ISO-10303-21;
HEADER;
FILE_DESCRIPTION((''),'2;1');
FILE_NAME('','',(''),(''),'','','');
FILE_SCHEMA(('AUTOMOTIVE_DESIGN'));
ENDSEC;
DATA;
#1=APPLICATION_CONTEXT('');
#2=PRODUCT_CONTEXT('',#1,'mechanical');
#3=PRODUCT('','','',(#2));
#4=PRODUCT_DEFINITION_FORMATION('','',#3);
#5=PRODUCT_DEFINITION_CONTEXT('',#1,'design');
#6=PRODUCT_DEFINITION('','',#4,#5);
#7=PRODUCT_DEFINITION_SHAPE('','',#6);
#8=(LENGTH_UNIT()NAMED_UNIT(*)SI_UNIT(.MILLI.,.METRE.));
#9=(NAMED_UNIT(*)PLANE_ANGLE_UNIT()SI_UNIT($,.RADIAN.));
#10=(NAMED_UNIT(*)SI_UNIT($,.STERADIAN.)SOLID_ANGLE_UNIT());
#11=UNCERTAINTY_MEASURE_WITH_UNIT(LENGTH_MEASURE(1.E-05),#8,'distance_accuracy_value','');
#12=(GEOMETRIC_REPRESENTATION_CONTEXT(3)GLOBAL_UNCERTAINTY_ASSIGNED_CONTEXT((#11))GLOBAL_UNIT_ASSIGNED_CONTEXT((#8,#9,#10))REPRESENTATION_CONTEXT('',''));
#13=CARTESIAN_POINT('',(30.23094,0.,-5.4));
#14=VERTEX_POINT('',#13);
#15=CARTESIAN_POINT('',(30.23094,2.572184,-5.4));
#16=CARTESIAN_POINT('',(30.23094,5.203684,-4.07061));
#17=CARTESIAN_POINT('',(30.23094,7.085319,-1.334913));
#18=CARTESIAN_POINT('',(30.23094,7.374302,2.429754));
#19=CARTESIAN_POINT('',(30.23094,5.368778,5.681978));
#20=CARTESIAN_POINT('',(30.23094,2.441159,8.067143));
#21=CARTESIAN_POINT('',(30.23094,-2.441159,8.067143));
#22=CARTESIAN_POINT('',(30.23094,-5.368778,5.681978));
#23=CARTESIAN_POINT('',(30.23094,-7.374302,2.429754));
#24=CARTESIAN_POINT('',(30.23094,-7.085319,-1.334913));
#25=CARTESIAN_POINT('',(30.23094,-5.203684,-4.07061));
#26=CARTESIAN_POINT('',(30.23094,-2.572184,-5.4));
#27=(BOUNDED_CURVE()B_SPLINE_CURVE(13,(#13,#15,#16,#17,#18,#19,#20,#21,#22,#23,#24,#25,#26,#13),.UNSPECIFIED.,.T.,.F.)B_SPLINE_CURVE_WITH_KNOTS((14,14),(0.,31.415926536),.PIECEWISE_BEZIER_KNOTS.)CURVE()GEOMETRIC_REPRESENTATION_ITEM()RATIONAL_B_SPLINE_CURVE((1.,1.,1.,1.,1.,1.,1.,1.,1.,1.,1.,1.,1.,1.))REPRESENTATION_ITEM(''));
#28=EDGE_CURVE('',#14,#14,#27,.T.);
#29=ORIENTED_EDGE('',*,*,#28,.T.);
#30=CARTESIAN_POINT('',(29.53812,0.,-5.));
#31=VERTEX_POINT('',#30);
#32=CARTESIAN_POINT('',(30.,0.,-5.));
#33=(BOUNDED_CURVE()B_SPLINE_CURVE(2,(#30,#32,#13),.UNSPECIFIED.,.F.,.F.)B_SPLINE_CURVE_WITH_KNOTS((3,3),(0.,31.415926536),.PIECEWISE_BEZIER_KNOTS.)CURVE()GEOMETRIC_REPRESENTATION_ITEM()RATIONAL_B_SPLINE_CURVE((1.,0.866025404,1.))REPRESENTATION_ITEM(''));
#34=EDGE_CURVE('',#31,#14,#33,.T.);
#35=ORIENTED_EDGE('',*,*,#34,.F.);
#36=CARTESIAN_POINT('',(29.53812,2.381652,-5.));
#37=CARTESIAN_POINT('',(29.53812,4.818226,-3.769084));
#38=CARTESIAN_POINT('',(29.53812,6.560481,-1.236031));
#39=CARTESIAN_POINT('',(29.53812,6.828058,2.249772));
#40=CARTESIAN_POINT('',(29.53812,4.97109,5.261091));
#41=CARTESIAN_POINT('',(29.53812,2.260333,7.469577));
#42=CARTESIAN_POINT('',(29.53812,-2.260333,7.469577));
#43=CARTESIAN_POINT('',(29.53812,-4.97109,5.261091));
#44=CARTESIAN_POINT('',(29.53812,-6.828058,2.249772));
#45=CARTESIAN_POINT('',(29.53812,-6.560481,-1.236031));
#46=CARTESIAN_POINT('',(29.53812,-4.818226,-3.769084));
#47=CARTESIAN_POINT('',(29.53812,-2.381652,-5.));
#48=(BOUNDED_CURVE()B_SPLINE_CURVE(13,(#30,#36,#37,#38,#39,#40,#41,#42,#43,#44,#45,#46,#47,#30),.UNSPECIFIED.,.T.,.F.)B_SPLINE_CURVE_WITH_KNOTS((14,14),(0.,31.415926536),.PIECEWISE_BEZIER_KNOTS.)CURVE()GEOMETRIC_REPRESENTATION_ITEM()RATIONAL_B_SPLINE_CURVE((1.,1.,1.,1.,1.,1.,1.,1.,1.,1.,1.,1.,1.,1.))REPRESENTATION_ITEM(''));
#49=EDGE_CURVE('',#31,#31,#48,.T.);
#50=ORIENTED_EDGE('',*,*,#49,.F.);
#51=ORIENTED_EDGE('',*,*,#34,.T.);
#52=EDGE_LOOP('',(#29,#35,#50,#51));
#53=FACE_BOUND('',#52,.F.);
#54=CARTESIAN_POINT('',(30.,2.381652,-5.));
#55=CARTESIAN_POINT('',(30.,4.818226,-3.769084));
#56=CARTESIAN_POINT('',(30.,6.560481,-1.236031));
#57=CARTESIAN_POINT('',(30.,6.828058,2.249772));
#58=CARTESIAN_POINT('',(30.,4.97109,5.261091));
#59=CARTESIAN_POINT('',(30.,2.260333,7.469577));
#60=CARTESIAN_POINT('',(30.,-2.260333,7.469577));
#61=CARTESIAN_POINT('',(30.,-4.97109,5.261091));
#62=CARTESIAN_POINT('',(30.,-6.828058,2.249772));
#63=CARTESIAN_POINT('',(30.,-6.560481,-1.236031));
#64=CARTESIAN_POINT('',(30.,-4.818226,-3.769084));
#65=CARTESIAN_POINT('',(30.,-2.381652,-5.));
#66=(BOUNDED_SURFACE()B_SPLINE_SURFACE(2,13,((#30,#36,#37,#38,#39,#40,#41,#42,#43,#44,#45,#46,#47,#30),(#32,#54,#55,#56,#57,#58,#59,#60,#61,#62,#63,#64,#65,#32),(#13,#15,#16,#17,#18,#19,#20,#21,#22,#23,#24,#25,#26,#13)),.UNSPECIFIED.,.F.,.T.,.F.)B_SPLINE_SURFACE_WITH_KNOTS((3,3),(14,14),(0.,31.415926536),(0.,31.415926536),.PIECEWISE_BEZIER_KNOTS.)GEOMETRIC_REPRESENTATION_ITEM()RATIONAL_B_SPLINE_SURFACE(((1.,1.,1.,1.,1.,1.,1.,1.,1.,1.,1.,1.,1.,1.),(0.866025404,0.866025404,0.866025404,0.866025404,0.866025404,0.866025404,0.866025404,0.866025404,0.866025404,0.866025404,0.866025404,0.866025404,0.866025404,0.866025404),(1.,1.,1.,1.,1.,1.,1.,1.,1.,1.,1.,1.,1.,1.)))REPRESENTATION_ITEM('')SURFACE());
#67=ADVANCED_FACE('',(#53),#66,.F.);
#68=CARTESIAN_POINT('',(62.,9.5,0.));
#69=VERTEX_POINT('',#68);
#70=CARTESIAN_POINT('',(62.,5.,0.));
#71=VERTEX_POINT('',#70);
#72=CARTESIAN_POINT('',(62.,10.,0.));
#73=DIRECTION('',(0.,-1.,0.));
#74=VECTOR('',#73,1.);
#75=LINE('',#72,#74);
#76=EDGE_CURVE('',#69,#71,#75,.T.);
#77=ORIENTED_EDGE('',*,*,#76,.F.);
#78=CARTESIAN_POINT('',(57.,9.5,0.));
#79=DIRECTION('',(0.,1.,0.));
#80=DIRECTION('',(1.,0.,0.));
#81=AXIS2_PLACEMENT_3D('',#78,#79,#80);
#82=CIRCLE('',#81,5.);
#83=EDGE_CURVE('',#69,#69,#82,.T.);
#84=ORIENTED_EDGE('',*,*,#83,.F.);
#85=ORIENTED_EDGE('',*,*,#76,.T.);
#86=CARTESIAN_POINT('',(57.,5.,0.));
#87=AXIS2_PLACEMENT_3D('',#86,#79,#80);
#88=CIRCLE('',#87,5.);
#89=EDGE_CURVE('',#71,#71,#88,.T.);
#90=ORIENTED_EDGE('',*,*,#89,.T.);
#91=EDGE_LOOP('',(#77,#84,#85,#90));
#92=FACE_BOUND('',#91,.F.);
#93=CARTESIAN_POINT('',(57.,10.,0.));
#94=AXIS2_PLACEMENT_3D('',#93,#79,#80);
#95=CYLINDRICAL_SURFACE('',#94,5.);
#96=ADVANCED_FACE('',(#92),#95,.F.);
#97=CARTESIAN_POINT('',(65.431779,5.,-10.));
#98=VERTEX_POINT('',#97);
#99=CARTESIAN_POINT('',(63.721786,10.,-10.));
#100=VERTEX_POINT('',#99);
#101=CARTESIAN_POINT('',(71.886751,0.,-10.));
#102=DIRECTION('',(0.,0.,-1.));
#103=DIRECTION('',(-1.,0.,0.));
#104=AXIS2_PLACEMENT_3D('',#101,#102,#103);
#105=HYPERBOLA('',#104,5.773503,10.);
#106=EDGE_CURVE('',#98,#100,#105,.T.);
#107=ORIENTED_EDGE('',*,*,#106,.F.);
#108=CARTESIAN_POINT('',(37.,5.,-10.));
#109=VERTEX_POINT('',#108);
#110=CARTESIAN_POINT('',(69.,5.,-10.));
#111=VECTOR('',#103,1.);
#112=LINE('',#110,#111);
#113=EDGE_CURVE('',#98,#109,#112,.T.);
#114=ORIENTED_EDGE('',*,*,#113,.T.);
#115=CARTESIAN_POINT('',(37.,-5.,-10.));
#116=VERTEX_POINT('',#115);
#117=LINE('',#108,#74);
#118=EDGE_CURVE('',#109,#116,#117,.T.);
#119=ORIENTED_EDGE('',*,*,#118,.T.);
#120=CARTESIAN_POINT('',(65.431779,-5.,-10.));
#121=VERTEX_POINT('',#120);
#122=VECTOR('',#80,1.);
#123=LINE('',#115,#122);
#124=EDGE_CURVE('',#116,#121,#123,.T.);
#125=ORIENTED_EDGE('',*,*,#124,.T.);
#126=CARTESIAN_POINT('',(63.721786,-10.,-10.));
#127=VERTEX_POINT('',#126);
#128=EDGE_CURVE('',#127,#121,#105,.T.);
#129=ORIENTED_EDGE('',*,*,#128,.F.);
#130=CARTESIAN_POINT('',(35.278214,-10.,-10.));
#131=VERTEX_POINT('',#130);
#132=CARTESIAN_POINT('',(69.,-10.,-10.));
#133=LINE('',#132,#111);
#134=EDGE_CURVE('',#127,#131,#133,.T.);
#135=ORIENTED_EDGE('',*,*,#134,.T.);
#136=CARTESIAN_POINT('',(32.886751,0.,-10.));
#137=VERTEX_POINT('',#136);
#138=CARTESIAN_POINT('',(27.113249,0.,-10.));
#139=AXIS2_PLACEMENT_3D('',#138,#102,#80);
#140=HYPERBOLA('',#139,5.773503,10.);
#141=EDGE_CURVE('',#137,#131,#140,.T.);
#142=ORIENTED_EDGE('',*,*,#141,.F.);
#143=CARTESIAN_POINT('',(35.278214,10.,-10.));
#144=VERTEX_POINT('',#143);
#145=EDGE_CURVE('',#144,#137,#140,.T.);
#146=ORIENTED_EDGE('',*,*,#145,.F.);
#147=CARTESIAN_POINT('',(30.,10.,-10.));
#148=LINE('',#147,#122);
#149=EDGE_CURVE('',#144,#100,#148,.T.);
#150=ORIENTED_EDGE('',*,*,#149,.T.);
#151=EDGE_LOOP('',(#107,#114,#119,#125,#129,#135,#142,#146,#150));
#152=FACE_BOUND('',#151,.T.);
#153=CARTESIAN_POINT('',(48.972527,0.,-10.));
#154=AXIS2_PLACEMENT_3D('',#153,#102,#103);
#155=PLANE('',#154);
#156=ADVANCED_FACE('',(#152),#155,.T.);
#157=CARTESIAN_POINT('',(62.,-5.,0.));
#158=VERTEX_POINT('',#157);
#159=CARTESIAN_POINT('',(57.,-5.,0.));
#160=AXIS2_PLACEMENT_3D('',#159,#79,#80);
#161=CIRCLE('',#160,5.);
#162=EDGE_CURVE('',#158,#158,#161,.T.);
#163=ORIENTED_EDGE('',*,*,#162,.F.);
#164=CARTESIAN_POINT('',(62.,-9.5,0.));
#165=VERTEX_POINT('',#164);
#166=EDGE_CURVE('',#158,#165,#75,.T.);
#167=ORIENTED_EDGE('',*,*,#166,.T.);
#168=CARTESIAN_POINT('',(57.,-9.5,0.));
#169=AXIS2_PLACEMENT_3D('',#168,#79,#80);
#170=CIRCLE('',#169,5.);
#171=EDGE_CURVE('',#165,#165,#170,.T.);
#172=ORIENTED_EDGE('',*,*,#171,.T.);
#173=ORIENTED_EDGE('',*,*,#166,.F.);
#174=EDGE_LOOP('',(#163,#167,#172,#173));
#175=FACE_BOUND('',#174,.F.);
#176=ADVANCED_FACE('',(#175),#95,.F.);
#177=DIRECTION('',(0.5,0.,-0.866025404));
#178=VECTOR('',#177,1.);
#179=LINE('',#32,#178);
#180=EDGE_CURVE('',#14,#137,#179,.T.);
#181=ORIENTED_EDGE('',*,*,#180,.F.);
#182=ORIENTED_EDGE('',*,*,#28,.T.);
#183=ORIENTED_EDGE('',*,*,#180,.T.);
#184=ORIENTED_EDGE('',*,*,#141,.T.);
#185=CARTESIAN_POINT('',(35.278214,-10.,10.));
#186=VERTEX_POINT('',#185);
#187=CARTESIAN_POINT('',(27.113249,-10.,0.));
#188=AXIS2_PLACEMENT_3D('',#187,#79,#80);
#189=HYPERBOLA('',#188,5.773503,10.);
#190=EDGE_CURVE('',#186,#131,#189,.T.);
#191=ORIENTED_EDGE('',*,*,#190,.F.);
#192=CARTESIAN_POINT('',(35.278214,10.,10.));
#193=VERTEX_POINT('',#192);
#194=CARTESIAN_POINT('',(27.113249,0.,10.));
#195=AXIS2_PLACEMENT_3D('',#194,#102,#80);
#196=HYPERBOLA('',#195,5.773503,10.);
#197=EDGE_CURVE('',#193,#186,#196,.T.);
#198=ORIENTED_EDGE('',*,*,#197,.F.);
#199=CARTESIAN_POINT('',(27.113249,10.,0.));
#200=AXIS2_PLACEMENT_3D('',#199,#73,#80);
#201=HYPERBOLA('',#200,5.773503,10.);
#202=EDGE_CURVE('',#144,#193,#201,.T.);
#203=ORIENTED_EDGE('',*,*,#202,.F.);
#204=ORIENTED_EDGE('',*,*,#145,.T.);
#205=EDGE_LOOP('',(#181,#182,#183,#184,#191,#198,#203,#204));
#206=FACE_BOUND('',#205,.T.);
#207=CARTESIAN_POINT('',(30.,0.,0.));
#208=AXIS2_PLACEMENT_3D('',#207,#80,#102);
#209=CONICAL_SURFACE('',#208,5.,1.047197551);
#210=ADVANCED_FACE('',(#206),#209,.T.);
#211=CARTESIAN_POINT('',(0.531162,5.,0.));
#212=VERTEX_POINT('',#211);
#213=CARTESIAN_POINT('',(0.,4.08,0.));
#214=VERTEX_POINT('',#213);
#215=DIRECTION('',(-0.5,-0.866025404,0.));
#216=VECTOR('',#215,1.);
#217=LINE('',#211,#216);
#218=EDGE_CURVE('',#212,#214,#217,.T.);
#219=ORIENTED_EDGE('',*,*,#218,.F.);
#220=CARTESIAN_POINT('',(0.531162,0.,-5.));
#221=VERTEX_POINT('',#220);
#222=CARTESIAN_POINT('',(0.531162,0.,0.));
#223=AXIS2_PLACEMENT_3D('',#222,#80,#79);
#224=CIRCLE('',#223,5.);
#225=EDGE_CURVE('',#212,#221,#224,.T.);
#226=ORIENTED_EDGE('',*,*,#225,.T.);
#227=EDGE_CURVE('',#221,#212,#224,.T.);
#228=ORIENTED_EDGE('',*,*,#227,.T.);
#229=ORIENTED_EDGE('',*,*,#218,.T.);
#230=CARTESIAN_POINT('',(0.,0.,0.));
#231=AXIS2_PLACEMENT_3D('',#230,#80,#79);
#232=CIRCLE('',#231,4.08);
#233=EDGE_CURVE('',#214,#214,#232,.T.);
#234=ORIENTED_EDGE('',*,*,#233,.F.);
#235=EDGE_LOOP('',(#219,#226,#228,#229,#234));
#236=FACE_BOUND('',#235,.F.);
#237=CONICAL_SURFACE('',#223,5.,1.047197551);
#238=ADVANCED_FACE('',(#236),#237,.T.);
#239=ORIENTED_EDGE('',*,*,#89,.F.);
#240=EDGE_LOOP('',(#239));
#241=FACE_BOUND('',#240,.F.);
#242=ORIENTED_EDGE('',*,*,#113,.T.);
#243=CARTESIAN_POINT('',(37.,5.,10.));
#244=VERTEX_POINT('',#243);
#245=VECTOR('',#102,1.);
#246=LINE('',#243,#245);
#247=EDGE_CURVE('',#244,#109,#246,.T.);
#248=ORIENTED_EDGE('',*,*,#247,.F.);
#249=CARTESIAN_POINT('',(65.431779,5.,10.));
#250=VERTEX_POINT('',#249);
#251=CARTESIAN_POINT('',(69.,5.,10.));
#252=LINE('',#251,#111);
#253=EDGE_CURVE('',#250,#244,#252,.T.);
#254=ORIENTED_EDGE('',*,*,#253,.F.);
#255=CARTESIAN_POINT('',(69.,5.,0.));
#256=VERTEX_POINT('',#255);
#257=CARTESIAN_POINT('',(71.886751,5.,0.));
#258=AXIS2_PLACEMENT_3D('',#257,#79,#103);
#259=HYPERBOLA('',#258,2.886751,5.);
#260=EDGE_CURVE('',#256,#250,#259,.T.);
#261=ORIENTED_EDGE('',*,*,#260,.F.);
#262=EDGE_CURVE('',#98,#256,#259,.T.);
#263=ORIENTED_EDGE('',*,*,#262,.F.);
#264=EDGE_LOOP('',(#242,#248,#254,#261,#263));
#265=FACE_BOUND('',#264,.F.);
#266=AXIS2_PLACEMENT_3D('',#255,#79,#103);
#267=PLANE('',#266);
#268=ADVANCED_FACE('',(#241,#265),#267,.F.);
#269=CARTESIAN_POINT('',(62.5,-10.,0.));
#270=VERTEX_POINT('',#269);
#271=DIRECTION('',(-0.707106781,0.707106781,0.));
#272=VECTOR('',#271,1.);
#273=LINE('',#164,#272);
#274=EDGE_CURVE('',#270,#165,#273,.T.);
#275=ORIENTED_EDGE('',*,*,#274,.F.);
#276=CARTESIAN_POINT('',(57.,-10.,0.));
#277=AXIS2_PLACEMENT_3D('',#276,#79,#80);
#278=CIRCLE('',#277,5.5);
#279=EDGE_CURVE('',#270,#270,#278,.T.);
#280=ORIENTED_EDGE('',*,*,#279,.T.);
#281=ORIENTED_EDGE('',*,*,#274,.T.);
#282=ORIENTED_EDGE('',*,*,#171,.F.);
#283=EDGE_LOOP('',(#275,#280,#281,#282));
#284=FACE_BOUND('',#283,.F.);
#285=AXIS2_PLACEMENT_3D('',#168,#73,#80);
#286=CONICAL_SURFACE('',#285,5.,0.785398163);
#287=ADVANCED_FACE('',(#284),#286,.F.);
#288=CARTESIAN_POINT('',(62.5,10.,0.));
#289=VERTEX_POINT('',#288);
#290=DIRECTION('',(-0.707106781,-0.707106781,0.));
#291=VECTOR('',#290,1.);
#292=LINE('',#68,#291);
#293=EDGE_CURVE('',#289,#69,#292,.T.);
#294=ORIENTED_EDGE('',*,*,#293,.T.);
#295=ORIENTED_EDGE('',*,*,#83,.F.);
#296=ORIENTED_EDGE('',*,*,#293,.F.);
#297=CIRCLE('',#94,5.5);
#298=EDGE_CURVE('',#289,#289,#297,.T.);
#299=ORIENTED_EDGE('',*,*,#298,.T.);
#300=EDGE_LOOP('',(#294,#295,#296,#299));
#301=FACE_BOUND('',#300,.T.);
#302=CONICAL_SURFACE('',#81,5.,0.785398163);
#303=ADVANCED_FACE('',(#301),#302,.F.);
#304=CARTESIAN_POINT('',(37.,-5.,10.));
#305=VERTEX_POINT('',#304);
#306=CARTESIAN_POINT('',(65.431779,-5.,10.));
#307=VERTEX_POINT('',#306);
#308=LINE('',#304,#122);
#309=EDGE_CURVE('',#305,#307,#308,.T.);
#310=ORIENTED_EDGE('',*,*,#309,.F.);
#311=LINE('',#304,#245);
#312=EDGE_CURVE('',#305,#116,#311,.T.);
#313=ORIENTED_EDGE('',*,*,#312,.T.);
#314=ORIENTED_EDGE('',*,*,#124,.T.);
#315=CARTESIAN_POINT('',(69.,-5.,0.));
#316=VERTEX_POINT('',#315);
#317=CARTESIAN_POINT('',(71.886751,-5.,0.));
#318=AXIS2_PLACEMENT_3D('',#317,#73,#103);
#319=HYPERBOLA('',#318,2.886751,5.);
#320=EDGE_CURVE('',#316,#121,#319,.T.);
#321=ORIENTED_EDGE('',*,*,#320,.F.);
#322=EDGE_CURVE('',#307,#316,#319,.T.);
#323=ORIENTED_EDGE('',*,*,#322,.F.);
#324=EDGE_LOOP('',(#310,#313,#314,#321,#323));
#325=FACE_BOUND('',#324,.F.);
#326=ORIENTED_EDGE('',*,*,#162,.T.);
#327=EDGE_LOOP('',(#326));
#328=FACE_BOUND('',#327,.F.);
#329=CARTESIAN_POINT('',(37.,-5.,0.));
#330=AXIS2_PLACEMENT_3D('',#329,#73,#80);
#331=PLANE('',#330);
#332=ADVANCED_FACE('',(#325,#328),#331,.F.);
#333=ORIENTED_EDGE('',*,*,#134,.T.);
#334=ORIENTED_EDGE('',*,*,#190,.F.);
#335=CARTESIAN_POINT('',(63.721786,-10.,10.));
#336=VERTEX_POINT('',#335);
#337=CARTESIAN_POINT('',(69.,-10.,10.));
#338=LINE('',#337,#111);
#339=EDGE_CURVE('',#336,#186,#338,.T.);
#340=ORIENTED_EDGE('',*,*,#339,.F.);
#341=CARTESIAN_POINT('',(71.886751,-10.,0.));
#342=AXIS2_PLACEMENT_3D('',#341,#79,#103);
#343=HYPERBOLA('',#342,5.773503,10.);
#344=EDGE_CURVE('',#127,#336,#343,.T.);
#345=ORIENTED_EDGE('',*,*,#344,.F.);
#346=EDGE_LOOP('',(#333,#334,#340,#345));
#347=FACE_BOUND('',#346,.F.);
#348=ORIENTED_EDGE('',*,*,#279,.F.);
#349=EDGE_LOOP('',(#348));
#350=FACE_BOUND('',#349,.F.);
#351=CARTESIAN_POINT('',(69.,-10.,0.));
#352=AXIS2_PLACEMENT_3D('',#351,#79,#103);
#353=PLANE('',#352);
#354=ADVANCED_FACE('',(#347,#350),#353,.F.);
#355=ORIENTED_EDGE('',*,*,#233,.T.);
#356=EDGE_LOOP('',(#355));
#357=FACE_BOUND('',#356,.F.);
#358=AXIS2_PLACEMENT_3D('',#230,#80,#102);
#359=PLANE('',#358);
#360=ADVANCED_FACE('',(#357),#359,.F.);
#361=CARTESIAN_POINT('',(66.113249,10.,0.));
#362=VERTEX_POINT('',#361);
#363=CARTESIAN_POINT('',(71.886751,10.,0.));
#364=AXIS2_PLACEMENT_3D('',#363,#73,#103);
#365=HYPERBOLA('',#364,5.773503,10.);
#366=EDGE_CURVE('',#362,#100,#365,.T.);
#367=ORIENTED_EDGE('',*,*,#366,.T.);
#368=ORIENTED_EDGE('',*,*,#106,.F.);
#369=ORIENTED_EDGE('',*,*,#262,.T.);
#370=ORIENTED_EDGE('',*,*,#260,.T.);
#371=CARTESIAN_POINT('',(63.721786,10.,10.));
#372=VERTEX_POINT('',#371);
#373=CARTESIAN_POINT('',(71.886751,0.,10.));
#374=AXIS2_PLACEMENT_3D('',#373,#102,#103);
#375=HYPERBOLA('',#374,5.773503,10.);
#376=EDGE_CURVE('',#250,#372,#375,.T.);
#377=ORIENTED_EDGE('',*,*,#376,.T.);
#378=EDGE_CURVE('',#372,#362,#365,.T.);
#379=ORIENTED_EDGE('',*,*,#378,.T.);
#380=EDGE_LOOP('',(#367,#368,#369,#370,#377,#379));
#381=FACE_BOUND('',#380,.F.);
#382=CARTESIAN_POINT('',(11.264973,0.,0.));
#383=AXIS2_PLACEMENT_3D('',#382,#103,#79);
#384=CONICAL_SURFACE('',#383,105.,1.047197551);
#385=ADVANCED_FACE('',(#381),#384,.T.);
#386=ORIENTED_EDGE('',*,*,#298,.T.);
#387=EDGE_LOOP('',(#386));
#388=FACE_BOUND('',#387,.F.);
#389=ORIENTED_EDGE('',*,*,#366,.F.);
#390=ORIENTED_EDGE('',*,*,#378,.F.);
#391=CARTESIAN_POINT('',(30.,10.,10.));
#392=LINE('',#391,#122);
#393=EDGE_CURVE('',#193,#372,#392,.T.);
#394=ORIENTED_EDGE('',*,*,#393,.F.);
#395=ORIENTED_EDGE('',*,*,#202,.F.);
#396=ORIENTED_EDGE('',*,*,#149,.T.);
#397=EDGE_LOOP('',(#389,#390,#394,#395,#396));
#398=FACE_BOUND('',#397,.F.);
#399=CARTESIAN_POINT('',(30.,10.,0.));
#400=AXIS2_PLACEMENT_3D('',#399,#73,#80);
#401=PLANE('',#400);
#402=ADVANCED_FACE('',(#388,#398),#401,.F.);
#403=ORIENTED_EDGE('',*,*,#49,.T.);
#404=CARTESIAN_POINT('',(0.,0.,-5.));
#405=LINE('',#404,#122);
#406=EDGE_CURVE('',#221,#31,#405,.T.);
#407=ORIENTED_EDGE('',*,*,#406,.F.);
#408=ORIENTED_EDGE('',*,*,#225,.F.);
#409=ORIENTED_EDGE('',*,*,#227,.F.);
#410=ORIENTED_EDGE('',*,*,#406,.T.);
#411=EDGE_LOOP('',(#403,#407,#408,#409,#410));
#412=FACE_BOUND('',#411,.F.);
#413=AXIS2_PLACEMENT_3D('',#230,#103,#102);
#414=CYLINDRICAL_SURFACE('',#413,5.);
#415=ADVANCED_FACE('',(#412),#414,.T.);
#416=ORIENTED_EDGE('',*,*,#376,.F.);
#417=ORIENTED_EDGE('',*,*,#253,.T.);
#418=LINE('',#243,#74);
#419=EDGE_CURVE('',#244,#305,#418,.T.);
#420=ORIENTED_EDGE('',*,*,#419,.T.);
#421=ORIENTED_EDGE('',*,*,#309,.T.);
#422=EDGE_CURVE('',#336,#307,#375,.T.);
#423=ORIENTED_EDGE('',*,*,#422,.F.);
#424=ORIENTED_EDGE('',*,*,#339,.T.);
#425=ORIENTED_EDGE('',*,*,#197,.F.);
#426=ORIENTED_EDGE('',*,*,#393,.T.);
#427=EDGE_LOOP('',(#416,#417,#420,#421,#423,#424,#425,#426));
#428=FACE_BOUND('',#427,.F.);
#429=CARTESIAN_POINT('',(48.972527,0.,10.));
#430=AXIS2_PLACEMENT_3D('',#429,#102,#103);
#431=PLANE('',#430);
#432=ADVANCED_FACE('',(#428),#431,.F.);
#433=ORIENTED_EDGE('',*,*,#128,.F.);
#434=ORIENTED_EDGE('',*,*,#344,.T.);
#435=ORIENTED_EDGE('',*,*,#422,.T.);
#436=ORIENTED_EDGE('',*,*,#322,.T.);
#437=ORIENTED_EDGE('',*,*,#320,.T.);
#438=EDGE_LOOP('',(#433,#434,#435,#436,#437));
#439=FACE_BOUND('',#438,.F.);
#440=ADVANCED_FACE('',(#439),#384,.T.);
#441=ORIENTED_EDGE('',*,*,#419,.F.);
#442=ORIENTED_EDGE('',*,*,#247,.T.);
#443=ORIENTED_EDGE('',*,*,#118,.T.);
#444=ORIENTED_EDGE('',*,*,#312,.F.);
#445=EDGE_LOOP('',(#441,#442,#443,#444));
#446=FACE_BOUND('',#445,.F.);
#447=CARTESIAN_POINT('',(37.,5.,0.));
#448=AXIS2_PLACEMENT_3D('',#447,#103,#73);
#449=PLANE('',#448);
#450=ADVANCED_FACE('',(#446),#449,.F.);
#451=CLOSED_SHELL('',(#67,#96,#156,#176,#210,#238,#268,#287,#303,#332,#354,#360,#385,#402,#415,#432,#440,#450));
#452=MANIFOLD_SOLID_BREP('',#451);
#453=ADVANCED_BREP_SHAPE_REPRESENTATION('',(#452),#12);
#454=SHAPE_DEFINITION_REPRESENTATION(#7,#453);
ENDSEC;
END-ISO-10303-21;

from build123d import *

# Parameters (mm, degrees)
SKETCH1_R                       = 5
EXTRUDE_L3_DEPTH                = 30
CLAW_EXTRUDE_DEPTH              = 10
THREAD_TO_CLAW_JOINING_FILLET_R = 0.8
SKETCH9_R                       = 5
CLEVIS_HOLE_DEPTH               = 1.0000001
CLEVIS_HOLE_DEPTH_BACK          = 21.0000001
CLEVIS_HOLE_CHAMFER_SIZE        = 0.5


with BuildPart() as part:
    # Sketch1 → L3 (new body)
    with BuildSketch(Plane(origin=(0, 0, 0), x_dir=(0, 0, -1), z_dir=(1, 0, 0))):
        Circle(SKETCH1_R)
    extrude(amount=EXTRUDE_L3_DEPTH)

    # Sketch6 → Claw Extrude (add, symmetric)
    with BuildSketch(Plane.XY):
        Polygon((30, -10), (30, 10), (69, 10), (69, 5), (37, 5), (37, -5), (69, -5), (69, -10), align=None)
    extrude(amount=CLAW_EXTRUDE_DEPTH, both=True)

    # Sketch8 → Claw Bevelling (revolve, cut)
    with BuildSketch(Plane(origin=(0, 0, 0), x_dir=(1, 0, 0), z_dir=(0, 1, 0))):
        Polygon((30, 5), (55.980762114, 50), (30, 50), align=None)
    revolve(axis=Axis((-49.725315437, 0, 0), (1, 0, 0)), mode=Mode.SUBTRACT)

    # Thread to Claw Joining Fillet
    thread_to_claw_joining_fillet_edges = [part.edges().sort_by_distance(p)[0] for p in [
        (30, 0, 5),
    ]]
    fillet(thread_to_claw_joining_fillet_edges, radius=THREAD_TO_CLAW_JOINING_FILLET_R)

    # Sketch11 → Claw Conic Taper (revolve, cut)
    with BuildSketch(Plane.XY):
        Polygon((11.264973081, 105), (69, 5), (69, 105), align=None)
    revolve(axis=Axis((56.222491899, 0, 0), (-1, 0, 0)), mode=Mode.SUBTRACT)

    # Sketch9 → Clevis Hole (cut, two sides)
    with BuildSketch(Plane(origin=(0, 10, 0), x_dir=(1, 0, 0), z_dir=(0, 1, 0))) as clevis_hole_sk:
        with Locations((57, 0)):
            Circle(SKETCH9_R)
    extrude(amount=CLEVIS_HOLE_DEPTH, mode=Mode.SUBTRACT)
    extrude(clevis_hole_sk.sketch, amount=-CLEVIS_HOLE_DEPTH_BACK, mode=Mode.SUBTRACT)

    # Clevis Hole Chamfer
    clevis_hole_chamfer_edges = [part.edges().sort_by_distance(p)[0] for p in [
        (52, -10, 0),
        (52, 10, 0),
    ]]
    chamfer(clevis_hole_chamfer_edges, length=CLEVIS_HOLE_CHAMFER_SIZE)

    # Sketch23 → Thread End Chamf (revolve, cut)
    with BuildSketch(Plane.XY):
        Polygon((0, 4.08), (0, 5), (0.531162248, 5), align=None)
    revolve(axis=Axis((-11.219306213, 0, 0), (1, 0, 0)), mode=Mode.SUBTRACT)


solid = part.part
